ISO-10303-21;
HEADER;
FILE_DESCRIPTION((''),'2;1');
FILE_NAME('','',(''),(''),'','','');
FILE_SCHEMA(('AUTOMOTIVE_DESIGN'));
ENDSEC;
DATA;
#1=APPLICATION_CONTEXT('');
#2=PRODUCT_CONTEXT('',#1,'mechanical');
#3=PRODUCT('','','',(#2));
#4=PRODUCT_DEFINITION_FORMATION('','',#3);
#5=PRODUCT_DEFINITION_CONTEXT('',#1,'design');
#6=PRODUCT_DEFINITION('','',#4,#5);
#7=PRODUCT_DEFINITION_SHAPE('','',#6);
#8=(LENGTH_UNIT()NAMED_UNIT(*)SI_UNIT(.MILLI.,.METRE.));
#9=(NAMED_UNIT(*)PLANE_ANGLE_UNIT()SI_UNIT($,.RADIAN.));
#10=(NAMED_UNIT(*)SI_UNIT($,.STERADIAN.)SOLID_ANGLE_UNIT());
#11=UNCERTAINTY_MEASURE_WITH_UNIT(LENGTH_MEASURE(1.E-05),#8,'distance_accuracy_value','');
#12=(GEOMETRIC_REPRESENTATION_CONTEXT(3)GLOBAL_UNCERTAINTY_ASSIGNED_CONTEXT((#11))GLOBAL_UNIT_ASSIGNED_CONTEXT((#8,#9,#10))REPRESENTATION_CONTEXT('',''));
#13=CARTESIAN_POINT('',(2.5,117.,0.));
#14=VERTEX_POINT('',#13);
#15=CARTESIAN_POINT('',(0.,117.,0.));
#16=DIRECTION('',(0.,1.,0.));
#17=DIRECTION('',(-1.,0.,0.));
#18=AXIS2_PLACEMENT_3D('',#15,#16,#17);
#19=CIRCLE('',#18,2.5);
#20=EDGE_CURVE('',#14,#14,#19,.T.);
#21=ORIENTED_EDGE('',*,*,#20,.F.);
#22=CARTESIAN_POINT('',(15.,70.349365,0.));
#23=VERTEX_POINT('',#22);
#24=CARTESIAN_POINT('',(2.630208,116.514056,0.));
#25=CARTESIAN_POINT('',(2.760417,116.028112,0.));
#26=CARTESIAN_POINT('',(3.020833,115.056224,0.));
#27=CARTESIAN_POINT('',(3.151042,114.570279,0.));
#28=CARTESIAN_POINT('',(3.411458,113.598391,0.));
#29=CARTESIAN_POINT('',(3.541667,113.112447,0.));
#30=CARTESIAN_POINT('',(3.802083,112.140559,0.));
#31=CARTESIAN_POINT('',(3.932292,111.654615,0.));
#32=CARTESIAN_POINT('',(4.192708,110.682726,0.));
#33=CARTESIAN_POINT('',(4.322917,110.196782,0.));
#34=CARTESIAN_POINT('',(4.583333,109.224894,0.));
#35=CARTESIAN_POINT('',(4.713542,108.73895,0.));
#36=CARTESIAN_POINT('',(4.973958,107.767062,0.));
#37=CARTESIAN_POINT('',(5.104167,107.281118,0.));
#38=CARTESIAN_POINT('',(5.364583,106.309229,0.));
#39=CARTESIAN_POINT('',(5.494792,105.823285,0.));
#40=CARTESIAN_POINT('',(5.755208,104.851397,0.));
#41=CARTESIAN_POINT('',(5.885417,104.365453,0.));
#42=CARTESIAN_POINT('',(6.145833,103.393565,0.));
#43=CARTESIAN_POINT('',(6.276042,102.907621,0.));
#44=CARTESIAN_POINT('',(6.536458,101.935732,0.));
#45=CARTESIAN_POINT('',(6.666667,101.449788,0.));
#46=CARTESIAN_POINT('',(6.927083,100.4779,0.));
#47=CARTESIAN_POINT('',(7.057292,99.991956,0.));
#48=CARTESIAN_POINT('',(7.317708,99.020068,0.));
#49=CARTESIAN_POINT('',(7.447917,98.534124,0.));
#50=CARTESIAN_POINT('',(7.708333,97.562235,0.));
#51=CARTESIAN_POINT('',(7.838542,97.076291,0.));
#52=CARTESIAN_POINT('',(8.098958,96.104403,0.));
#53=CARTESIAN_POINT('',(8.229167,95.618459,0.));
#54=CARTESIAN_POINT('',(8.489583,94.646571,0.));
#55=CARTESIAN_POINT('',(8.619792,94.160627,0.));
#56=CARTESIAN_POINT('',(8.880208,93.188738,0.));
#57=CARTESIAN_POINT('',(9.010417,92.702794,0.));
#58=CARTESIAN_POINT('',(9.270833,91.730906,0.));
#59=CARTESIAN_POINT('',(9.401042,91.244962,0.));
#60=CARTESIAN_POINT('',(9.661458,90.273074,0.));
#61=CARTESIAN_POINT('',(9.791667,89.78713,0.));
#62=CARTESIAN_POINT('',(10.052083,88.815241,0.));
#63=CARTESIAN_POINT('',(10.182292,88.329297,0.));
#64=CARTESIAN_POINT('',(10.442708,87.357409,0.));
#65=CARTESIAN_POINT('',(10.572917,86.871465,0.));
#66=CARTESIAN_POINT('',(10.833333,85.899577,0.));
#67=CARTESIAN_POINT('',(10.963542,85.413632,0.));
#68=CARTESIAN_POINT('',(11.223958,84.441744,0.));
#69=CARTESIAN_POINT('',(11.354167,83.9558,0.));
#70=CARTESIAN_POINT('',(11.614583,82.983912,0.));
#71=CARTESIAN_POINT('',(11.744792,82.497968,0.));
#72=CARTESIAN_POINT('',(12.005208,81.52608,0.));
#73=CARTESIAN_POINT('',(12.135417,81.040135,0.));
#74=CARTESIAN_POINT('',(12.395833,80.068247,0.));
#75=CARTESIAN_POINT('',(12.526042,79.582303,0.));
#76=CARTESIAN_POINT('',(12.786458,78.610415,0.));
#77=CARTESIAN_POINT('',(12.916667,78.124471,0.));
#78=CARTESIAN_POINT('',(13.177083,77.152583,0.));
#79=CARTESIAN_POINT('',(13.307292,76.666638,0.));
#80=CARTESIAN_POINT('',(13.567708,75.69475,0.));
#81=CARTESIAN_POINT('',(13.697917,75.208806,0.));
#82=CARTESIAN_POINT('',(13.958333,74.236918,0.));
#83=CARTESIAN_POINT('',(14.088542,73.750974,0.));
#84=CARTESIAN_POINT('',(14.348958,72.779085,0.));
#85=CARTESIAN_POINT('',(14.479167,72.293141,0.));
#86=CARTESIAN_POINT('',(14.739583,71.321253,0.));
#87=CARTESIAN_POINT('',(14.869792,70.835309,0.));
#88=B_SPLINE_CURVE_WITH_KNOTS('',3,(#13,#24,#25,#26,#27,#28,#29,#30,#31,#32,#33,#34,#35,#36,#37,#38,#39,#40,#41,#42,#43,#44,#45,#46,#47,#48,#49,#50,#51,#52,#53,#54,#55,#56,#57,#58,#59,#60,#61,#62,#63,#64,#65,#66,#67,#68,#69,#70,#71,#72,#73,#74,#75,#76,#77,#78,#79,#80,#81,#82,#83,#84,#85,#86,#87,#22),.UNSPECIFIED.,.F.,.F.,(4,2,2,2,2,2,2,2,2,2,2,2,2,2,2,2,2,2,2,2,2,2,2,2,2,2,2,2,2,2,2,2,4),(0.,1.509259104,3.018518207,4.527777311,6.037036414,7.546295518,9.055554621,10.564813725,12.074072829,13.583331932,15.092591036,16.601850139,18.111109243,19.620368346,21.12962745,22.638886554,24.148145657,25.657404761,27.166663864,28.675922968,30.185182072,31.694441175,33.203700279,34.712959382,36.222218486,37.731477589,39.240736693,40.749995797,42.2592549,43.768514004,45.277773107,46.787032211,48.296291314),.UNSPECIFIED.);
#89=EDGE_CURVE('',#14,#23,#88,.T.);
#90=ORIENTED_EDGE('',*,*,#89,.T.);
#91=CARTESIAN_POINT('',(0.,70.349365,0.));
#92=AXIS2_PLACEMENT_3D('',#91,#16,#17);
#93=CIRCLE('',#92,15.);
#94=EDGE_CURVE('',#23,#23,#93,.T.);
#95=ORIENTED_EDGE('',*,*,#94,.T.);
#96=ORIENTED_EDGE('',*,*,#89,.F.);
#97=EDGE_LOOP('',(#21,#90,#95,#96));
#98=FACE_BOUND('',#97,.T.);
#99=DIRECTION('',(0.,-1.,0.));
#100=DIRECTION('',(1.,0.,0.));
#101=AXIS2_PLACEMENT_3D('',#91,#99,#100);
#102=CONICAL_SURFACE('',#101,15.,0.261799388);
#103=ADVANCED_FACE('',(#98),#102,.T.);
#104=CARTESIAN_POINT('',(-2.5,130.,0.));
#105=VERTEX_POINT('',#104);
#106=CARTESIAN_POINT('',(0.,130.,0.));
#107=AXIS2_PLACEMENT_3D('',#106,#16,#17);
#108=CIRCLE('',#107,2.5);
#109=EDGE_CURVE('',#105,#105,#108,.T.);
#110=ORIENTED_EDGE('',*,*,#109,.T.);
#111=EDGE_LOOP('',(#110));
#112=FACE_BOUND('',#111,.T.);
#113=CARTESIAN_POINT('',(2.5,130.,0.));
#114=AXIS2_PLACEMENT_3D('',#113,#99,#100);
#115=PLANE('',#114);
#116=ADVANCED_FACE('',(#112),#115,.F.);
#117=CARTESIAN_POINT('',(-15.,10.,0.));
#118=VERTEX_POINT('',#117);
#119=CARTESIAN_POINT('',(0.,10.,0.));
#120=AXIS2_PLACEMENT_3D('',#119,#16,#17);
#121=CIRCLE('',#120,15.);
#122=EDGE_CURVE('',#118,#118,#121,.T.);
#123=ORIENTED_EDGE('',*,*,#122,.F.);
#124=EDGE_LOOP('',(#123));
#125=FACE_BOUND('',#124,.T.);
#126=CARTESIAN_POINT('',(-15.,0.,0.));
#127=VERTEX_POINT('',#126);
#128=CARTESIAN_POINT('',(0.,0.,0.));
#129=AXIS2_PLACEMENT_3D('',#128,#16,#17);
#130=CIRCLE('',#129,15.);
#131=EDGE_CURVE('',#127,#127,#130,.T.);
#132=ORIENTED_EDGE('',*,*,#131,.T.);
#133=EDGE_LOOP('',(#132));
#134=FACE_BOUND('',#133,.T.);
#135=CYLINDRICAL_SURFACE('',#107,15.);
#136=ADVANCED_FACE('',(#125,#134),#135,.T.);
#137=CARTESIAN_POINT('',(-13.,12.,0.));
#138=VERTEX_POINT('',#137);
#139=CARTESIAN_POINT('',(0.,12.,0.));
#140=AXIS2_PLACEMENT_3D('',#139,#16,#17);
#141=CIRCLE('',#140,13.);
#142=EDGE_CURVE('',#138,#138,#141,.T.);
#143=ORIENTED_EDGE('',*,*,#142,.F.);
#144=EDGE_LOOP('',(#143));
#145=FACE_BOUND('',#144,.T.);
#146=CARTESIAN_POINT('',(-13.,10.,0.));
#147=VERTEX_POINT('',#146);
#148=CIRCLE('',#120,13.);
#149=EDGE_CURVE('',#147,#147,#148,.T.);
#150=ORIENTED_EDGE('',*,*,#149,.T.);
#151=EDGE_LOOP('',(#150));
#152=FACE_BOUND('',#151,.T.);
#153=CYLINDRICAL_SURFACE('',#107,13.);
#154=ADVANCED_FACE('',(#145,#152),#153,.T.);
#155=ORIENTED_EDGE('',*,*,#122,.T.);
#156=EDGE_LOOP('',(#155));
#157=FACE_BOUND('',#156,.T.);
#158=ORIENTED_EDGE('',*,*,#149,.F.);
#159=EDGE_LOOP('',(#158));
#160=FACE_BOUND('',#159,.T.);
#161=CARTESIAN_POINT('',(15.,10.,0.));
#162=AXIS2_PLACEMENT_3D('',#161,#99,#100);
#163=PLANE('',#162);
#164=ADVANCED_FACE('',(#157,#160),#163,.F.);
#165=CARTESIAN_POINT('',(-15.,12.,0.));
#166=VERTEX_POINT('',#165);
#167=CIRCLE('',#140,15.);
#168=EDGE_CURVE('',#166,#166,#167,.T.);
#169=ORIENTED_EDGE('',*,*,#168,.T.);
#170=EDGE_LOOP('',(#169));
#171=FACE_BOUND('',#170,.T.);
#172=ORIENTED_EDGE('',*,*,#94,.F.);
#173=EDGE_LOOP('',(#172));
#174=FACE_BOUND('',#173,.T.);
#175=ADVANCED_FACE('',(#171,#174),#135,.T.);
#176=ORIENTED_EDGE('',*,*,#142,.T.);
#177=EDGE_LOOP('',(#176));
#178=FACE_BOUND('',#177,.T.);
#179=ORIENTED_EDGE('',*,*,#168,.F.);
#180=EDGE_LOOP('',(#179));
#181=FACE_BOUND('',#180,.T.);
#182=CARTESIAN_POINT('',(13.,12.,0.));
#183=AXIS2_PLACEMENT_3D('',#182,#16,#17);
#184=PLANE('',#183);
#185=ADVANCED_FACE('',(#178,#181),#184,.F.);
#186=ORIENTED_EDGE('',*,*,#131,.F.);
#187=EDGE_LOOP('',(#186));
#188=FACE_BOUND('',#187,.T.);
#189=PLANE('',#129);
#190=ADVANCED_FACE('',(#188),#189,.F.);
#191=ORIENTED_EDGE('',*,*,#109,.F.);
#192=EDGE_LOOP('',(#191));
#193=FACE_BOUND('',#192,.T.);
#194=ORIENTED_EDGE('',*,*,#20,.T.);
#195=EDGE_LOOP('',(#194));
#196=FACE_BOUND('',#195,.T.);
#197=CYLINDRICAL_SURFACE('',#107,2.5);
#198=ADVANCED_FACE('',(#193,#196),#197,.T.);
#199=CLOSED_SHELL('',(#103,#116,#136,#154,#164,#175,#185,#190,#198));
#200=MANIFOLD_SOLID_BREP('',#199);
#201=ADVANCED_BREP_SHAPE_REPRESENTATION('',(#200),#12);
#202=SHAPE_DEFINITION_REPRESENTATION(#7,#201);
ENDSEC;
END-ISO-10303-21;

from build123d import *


with BuildPart() as part:
    # Croquis1 → Revolución1 (revolve)
    with BuildSketch(Plane.XY, mode=Mode.PRIVATE) as revoluci_n1_sk:
        Polygon((0, 130), (0, 0), (15, 0), (15, 10), (13, 10), (13, 12), (15, 12), (15, 70.349364905), (2.5, 117), (2.5, 130), align=None)
    revolve(revoluci_n1_sk.sketch.rotate(Axis((0, 130, 0), (0, -1, 0)), 180), axis=Axis((0, 130, 0), (0, -1, 0)))


solid = part.part
